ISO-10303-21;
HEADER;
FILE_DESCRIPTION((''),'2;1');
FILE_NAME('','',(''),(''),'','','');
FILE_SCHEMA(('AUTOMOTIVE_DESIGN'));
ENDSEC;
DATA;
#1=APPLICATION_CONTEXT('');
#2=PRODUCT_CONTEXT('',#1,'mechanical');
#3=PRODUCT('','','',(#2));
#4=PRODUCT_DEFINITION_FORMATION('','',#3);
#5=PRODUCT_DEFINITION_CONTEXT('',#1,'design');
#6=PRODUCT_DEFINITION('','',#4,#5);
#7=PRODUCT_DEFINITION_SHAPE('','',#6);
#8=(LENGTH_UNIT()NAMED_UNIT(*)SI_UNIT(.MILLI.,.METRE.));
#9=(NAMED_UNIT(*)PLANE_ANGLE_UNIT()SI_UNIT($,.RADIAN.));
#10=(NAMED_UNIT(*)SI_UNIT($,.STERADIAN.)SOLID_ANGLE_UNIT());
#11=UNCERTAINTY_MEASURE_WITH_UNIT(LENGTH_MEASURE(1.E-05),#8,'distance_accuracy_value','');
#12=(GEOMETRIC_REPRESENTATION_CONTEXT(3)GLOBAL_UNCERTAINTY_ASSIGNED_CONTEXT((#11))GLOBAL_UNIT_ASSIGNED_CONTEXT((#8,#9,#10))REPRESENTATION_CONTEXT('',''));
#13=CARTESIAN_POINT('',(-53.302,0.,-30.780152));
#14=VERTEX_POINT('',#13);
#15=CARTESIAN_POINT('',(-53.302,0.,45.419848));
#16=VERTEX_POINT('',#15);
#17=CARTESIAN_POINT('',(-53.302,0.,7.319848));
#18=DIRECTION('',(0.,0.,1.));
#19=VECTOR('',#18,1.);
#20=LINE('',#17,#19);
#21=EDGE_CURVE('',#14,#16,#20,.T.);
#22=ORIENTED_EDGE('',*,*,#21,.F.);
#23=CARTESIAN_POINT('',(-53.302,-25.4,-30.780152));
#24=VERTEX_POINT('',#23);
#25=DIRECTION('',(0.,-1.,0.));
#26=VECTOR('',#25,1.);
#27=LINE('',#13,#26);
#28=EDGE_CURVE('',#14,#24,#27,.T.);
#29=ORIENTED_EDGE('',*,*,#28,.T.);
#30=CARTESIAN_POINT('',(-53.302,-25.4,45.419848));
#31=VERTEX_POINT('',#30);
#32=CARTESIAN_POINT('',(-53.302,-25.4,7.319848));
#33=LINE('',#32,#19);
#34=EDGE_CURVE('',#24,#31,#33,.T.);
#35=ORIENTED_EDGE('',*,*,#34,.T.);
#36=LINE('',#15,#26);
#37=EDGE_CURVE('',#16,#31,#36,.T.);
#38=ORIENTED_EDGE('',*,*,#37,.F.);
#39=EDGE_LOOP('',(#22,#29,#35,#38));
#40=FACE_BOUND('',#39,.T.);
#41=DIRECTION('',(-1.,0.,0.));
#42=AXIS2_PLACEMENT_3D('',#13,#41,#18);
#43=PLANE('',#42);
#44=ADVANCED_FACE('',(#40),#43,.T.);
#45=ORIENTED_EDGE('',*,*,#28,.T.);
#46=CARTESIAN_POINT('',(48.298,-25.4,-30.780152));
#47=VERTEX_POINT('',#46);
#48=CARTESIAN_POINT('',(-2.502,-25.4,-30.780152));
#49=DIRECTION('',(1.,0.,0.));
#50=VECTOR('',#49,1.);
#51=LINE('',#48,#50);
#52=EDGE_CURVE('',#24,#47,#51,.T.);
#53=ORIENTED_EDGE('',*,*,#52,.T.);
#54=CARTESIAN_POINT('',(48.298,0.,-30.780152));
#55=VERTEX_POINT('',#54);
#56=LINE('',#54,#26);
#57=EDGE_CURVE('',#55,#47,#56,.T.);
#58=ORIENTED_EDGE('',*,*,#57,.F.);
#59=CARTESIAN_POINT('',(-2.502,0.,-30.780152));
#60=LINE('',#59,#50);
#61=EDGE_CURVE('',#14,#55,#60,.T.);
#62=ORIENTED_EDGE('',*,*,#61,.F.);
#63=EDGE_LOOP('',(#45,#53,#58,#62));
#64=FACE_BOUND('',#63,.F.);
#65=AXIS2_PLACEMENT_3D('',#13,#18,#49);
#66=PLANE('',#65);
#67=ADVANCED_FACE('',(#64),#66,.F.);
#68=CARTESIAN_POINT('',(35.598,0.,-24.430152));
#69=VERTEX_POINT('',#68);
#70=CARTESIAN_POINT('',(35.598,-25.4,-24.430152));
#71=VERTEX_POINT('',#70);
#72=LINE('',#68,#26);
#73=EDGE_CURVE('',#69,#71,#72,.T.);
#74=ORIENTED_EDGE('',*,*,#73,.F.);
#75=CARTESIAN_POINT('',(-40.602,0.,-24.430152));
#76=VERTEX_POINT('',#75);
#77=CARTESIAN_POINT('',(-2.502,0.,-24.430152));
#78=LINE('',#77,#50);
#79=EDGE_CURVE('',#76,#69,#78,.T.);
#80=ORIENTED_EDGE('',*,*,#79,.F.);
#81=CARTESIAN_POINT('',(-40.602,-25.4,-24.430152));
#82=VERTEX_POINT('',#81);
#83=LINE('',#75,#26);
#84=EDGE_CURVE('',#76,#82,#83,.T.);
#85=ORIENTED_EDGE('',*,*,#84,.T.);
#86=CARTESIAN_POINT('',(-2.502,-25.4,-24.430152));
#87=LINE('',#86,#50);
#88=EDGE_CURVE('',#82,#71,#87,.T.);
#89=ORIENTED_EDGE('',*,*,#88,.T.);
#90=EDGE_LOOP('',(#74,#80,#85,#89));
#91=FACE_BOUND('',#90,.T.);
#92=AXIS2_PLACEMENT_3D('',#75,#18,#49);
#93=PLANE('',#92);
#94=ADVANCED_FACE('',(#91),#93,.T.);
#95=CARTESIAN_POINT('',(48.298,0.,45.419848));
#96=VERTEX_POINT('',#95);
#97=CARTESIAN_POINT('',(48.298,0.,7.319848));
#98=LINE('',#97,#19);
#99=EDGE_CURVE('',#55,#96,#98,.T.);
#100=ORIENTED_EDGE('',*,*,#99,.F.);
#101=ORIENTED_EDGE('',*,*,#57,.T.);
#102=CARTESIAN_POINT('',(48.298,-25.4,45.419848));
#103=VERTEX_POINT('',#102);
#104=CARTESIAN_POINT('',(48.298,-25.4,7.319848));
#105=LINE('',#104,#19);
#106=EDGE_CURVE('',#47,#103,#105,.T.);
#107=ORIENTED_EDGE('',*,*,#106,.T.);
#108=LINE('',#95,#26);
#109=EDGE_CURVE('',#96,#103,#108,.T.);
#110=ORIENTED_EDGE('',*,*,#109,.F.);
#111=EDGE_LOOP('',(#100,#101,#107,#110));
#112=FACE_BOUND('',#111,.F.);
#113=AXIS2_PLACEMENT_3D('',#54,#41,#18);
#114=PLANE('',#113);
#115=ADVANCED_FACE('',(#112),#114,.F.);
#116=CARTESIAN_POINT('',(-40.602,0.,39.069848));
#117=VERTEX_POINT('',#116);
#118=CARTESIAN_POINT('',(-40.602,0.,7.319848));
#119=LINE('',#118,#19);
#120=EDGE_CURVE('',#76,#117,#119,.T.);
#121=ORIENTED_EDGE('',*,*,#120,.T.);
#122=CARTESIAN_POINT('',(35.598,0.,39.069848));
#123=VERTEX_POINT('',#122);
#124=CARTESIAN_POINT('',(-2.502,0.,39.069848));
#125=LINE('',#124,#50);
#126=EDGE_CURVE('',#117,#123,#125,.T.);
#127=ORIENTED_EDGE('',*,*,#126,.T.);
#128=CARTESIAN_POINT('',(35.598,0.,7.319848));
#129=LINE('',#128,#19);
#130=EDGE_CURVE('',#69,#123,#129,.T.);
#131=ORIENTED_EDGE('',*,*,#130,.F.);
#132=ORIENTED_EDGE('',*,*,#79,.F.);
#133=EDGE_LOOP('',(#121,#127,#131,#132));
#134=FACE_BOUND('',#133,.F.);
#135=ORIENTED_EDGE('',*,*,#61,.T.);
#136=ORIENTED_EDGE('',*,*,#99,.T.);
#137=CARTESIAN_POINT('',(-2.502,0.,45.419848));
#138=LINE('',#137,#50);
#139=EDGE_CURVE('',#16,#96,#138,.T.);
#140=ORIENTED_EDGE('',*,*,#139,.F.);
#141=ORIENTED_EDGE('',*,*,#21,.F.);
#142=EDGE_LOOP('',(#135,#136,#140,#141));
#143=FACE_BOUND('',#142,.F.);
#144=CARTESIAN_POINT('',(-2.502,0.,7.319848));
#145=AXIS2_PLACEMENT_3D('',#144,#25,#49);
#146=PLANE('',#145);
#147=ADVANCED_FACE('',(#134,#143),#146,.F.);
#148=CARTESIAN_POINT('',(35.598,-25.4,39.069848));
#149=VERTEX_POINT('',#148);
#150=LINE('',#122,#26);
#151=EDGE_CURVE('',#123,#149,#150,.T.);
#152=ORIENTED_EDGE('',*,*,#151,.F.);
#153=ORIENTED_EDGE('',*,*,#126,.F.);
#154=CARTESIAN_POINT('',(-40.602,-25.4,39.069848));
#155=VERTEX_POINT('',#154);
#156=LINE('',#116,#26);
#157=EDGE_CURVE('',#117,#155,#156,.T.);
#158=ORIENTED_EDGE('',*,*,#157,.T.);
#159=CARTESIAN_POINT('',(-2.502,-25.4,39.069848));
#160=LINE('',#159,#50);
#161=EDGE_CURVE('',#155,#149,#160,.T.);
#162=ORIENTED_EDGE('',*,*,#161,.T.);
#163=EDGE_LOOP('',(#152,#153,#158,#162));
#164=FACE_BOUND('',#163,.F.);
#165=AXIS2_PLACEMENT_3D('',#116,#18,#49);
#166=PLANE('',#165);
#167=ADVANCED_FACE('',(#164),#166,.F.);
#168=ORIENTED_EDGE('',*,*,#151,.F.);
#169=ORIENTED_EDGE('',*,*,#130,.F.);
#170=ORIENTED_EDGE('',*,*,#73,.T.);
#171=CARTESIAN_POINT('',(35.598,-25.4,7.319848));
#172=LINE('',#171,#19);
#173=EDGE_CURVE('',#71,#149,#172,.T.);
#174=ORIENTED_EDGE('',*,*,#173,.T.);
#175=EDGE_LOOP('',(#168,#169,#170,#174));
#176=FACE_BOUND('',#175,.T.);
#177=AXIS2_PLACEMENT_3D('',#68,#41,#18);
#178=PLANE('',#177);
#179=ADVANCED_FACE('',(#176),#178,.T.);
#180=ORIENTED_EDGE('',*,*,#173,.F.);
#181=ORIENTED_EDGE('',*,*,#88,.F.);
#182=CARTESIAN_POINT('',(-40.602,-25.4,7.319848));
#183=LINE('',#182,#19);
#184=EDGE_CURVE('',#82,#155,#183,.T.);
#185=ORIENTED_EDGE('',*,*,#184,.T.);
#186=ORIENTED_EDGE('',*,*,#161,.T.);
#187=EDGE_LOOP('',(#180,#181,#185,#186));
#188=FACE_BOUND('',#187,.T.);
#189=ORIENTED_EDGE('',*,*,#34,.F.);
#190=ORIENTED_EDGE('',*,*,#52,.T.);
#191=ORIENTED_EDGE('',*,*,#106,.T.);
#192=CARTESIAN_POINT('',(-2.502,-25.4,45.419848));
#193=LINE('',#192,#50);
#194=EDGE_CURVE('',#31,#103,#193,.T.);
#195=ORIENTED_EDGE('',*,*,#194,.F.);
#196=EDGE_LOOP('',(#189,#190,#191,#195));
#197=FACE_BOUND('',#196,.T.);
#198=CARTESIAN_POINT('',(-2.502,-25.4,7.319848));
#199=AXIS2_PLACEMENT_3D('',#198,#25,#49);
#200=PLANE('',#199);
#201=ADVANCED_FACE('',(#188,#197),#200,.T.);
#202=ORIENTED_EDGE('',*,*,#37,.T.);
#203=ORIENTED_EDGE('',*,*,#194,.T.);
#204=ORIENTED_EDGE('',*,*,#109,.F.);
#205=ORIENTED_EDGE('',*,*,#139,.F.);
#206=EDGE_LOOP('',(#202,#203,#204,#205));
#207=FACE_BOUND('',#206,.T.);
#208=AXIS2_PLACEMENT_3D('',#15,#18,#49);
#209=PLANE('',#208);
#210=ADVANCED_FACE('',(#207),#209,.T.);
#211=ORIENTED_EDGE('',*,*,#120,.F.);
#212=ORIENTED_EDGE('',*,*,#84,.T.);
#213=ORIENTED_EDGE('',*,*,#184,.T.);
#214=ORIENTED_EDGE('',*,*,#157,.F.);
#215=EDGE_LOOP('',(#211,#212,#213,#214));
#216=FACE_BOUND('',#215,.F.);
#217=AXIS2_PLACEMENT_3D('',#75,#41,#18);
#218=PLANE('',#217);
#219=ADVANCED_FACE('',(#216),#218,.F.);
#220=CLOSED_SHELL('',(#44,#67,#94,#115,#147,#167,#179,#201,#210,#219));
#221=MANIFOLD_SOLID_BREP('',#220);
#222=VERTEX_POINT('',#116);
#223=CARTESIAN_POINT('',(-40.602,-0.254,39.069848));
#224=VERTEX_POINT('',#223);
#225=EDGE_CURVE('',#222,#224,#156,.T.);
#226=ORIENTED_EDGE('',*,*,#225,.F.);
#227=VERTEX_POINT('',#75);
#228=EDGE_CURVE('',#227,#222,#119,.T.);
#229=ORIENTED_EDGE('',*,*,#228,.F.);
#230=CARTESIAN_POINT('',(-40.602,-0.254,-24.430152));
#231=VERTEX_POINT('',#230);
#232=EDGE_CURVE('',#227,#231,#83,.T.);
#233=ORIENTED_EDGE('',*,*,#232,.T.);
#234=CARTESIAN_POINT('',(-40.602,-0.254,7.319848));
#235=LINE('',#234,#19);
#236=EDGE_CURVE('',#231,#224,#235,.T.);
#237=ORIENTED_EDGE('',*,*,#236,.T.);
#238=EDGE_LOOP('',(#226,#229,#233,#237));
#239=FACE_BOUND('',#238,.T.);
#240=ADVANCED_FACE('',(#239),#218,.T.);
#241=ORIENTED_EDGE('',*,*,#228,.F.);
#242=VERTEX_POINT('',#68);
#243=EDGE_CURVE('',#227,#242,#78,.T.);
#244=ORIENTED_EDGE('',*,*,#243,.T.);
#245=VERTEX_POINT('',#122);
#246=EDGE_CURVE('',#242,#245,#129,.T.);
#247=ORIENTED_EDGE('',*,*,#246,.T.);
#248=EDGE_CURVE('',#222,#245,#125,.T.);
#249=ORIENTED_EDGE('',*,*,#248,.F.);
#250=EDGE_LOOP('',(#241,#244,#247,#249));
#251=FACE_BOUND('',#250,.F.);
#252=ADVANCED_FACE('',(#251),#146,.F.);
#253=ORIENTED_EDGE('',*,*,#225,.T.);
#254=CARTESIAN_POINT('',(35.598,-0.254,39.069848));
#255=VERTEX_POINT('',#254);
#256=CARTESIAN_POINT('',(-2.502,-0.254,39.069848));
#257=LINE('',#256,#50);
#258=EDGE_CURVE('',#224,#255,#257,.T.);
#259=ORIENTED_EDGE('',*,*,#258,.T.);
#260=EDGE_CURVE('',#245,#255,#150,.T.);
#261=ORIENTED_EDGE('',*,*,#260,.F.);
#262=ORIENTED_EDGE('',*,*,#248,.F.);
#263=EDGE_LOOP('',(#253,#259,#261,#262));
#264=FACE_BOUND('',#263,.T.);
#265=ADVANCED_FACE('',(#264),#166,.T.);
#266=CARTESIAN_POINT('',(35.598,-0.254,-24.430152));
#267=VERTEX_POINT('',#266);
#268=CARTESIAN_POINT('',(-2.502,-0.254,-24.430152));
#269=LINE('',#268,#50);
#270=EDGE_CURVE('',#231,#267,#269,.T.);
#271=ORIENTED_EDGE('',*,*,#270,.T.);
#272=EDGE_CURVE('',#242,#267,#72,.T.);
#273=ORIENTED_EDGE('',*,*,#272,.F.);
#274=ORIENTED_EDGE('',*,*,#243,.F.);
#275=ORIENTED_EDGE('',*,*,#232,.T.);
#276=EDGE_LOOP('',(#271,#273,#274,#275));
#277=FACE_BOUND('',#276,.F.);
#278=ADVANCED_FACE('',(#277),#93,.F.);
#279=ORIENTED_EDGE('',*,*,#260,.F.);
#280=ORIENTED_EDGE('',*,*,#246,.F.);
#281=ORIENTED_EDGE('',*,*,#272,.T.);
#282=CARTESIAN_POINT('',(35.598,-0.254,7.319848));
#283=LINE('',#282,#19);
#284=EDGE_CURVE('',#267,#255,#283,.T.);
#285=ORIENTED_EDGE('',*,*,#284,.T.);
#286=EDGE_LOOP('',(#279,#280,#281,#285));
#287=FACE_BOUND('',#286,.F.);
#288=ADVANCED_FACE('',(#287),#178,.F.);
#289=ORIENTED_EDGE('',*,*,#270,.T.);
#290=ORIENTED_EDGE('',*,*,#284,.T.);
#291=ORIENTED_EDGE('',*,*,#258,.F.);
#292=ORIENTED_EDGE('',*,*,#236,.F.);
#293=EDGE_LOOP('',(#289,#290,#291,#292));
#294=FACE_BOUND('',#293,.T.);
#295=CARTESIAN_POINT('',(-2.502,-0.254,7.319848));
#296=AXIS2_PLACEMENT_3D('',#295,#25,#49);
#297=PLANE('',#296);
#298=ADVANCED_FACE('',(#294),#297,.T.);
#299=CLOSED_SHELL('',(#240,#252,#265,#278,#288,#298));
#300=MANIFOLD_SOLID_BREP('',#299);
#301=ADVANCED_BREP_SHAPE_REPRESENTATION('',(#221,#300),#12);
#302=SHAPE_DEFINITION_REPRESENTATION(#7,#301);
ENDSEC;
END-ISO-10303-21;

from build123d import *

# Parameters (mm, degrees)
F0_W     = 101.6
F0_H     = 76.2
F0_W_2   = 76.2
F0_H_2   = 63.5
F1_DEPTH = 25.4
F2_DEPTH = 0.254


with BuildPart() as f1:
    # F0 (on Front) → F1 (new body)
    with BuildSketch(Plane.XZ):
        with Locations((-2.502, 7.319848)):
            Rectangle(F0_W, F0_H)
        with Locations((-2.502, 7.319848)):
            Rectangle(F0_W_2, F0_H_2, mode=Mode.SUBTRACT)
    extrude(amount=F1_DEPTH)


with BuildPart() as f2:
    # F0 (on Front) → F2 (new body)
    with BuildSketch(Plane.XZ):
        with Locations((-2.502, 7.319848)):
            Rectangle(F0_W_2, F0_H_2)
    extrude(amount=F2_DEPTH)


solid = Compound([f1.part, f2.part])
